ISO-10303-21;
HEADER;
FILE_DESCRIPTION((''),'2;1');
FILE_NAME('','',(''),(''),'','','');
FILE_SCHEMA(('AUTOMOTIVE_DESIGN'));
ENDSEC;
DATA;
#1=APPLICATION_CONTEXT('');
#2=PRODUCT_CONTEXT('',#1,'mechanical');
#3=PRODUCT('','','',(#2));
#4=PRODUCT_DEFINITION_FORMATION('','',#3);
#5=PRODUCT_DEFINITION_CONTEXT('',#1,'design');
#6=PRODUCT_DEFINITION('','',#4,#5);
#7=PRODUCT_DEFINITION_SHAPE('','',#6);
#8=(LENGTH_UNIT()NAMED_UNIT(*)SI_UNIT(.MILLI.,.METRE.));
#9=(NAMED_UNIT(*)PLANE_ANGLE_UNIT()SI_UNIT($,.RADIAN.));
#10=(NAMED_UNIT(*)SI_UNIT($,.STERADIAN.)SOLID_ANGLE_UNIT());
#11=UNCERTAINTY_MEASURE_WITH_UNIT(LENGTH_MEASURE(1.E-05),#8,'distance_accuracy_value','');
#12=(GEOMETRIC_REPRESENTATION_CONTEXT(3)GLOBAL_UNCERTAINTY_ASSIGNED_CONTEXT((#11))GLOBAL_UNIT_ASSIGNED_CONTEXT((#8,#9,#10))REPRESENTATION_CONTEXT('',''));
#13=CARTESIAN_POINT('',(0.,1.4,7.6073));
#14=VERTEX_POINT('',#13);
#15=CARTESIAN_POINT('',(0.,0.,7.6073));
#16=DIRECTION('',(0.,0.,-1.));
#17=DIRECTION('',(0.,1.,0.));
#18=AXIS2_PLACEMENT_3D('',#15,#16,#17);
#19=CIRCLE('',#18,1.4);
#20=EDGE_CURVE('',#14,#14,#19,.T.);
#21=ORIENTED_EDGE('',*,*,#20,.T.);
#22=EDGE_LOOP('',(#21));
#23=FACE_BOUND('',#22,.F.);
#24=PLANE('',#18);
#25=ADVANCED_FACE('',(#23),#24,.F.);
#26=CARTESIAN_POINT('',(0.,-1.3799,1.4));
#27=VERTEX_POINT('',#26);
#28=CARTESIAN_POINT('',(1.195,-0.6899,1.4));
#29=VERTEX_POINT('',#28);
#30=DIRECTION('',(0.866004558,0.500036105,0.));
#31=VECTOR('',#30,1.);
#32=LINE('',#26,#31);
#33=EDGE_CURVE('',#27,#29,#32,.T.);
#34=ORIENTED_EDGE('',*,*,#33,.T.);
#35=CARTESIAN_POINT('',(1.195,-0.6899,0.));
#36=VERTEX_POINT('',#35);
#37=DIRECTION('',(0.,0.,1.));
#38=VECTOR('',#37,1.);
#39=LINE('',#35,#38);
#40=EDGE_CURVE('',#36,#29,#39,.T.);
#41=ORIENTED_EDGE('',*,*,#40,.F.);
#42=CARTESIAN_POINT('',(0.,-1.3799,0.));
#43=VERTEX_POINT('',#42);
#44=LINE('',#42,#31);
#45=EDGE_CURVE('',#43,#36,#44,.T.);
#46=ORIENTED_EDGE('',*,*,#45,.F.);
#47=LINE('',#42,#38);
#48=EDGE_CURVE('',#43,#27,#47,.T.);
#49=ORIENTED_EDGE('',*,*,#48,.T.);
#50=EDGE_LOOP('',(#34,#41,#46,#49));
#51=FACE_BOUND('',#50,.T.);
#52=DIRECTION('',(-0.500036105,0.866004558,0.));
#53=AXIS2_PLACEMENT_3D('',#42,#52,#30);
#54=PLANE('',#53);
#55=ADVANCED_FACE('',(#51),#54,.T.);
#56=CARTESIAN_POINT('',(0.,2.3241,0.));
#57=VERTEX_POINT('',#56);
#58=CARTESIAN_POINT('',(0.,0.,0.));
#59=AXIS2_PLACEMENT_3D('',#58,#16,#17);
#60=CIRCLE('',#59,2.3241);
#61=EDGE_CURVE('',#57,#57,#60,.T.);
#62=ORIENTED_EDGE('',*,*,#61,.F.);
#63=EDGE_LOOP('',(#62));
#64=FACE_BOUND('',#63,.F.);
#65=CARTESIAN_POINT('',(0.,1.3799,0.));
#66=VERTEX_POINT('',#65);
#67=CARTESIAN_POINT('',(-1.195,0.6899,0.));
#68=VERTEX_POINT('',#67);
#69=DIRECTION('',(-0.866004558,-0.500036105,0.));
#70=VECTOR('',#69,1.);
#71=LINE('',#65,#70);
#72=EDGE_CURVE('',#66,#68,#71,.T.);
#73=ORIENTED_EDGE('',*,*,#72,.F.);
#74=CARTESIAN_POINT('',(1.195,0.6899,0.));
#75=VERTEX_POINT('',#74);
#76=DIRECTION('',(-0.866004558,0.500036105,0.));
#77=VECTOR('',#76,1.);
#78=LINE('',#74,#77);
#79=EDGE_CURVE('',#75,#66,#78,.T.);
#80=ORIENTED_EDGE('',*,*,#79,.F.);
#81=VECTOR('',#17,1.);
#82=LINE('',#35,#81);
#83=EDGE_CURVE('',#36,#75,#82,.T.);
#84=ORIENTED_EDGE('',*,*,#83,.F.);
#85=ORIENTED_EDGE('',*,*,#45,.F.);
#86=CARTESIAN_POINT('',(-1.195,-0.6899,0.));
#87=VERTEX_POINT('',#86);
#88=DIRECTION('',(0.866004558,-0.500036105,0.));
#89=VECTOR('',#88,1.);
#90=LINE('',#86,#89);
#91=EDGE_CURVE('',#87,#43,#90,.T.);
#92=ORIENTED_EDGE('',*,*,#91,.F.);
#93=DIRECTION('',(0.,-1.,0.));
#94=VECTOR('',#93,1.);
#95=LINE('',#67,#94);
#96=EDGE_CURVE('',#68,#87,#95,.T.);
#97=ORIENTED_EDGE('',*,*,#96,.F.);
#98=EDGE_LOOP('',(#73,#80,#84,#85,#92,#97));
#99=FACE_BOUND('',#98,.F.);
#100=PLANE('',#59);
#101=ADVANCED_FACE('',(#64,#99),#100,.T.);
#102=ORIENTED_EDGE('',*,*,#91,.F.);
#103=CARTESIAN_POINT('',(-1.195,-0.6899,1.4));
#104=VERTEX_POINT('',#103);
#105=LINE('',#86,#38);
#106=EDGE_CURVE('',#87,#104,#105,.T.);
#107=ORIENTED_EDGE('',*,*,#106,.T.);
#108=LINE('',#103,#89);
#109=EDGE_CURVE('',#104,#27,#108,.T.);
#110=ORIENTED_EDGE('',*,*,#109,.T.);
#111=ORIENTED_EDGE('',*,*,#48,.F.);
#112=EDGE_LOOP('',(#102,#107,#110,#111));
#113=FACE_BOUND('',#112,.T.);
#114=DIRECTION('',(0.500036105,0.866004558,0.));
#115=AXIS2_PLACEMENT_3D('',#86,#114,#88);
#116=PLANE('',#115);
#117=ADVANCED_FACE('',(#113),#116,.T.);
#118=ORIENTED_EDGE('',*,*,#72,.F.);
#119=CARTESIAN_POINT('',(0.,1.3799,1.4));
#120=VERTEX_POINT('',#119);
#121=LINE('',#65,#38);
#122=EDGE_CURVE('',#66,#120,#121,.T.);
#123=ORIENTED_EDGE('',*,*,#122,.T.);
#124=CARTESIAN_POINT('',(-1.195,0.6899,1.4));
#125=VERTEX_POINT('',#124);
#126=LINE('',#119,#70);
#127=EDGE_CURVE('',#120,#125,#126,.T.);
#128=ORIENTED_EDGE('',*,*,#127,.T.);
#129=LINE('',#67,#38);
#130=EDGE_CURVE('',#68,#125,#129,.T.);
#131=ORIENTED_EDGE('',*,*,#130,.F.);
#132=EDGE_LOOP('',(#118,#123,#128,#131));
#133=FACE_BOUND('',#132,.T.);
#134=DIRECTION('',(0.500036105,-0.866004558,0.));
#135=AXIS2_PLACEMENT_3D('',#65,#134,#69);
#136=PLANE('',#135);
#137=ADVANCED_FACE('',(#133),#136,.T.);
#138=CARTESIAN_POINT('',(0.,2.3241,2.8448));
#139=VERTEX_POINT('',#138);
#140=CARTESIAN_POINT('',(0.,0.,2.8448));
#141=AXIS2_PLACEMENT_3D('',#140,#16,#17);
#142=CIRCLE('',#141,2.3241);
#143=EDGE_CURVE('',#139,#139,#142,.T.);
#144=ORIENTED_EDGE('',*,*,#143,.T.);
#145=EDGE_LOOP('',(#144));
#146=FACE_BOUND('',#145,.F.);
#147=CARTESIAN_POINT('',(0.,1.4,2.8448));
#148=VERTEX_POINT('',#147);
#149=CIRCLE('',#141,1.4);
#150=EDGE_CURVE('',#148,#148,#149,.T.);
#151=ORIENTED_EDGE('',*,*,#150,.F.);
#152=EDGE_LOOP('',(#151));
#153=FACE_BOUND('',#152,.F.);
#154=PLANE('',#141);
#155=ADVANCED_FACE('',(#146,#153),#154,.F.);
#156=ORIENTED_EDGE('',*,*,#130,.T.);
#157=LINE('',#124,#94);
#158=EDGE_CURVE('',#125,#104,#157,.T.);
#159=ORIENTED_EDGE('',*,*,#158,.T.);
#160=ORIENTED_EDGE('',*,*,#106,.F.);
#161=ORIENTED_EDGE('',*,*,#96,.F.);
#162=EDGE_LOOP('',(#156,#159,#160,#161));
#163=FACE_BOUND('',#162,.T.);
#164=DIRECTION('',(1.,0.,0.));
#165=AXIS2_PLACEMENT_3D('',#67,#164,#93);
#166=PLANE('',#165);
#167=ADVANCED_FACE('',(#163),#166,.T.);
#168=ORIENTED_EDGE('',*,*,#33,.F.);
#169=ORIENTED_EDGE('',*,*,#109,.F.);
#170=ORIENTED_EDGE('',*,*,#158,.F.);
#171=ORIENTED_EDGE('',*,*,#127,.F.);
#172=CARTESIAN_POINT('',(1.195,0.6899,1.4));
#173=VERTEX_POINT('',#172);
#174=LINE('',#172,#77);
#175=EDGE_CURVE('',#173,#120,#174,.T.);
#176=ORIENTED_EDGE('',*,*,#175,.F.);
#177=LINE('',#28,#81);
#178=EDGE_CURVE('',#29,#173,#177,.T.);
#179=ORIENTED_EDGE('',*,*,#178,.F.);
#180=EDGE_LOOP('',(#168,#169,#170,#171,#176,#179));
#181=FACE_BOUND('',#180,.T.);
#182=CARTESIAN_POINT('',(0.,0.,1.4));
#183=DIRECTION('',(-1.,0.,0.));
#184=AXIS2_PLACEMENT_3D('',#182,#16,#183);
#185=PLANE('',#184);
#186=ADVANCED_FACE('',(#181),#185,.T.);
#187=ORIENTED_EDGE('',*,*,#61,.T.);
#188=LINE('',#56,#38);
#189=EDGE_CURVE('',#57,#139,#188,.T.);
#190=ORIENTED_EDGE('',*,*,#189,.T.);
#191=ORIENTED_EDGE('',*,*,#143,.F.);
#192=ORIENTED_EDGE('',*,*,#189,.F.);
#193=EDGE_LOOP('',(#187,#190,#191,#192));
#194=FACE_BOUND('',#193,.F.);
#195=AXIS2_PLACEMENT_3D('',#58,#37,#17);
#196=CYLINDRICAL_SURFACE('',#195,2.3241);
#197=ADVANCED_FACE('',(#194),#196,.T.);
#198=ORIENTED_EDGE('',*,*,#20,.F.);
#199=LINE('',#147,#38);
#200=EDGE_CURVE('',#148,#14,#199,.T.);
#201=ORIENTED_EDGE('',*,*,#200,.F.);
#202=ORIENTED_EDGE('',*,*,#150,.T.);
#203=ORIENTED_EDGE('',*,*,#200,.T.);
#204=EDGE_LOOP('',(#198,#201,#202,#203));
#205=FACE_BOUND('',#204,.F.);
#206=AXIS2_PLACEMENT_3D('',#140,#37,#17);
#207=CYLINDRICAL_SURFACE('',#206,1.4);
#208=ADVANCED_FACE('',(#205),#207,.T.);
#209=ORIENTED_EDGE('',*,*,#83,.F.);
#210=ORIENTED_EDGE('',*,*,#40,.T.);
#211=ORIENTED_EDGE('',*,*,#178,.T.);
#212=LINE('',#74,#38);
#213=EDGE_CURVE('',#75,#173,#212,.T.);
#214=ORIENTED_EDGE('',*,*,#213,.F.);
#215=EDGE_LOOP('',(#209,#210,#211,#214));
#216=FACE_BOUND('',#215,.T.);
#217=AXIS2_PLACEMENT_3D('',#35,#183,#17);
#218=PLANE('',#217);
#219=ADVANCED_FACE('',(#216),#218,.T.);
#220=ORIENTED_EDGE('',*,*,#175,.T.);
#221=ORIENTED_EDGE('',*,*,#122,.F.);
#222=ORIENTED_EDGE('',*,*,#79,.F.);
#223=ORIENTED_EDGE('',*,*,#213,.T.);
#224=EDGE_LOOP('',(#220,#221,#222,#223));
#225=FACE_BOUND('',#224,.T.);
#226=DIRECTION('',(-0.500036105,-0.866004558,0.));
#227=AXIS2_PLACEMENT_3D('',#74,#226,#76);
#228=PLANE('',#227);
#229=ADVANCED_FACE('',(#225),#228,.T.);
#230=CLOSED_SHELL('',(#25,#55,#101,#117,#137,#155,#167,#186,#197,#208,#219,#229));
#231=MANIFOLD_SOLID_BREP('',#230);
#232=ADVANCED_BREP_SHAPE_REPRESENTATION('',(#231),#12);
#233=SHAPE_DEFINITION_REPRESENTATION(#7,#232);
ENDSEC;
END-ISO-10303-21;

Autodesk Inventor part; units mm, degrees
ref_plane "YZ Plane" through (0, 0, 0) normal (1, 0, 0) x (0, 1, 0)
ref_plane "XZ Plane" through (0, 0, 0) normal (0, 1, 0) x (-1, 0, 0)
ref_plane "XY Plane" through (0, 0, 0) normal (0, 0, 1) x (1, 0, 0)
sketch "スケッチ1" plane through (0, 0, 0) normal (1, 0, 0) x (0, 1, 0)
  line L0 (0, 7.6073) -> (0, 0)
  line L1 (0, 0) -> (2.3241, 0)
  line L2 (2.3241, 0) -> (2.3241, 2.8448)
  line L3 (2.3241, 2.8448) -> (1.4, 2.8448)
  line L4 (1.4, 2.8448) -> (1.4, 7.6073)
  line L5 (1.4, 7.6073) -> (0, 7.6073)
  dimension "d1" = 1.4
  dimension "d2" = 2.8448
  dimension "d3" = 2.3241
  dimension "d10" = 4.7625
revolve "回転1" add sketch "スケッチ1" angle 360 about axis through (0, 0, 7.6073) along (0, 0, -1)
sketch "スケッチ2" plane through (0, 0, 0) normal (0, 0, -1) x (-1, 0, 0)
  line L0 (0, 1.3799) -> (1.195, 0.6899)
  line L1 (1.195, 0.6899) -> (1.195, -0.6899)
  line L2 (1.195, -0.6899) -> (0, -1.3799)
  line L3 (0, -1.3799) -> (-1.195, -0.6899)
  line L4 (-1.195, -0.6899) -> (-1.195, 0.6899)
  line L5 (-1.195, 0.6899) -> (0, 1.3799)
  circle A0 centre (0, 0) radius 2.3241 projected
  line L6 (0, 2.3241) -> (0, -2.3241) construction
  point P0 (0, 0)
  dimension "d7" = 2.39
extrude "押し出し1" cut sketch "スケッチ2" against normal blind 1.4 contours L0 L1 L2 L3 L4 L5
thread "ねじ1" size "4-40 UNC" class "2A" standard "ANSI Unified Screw Threads" full length
properties part number "No4_40-3-16" material "ステンレス鋼 AISI 304"
